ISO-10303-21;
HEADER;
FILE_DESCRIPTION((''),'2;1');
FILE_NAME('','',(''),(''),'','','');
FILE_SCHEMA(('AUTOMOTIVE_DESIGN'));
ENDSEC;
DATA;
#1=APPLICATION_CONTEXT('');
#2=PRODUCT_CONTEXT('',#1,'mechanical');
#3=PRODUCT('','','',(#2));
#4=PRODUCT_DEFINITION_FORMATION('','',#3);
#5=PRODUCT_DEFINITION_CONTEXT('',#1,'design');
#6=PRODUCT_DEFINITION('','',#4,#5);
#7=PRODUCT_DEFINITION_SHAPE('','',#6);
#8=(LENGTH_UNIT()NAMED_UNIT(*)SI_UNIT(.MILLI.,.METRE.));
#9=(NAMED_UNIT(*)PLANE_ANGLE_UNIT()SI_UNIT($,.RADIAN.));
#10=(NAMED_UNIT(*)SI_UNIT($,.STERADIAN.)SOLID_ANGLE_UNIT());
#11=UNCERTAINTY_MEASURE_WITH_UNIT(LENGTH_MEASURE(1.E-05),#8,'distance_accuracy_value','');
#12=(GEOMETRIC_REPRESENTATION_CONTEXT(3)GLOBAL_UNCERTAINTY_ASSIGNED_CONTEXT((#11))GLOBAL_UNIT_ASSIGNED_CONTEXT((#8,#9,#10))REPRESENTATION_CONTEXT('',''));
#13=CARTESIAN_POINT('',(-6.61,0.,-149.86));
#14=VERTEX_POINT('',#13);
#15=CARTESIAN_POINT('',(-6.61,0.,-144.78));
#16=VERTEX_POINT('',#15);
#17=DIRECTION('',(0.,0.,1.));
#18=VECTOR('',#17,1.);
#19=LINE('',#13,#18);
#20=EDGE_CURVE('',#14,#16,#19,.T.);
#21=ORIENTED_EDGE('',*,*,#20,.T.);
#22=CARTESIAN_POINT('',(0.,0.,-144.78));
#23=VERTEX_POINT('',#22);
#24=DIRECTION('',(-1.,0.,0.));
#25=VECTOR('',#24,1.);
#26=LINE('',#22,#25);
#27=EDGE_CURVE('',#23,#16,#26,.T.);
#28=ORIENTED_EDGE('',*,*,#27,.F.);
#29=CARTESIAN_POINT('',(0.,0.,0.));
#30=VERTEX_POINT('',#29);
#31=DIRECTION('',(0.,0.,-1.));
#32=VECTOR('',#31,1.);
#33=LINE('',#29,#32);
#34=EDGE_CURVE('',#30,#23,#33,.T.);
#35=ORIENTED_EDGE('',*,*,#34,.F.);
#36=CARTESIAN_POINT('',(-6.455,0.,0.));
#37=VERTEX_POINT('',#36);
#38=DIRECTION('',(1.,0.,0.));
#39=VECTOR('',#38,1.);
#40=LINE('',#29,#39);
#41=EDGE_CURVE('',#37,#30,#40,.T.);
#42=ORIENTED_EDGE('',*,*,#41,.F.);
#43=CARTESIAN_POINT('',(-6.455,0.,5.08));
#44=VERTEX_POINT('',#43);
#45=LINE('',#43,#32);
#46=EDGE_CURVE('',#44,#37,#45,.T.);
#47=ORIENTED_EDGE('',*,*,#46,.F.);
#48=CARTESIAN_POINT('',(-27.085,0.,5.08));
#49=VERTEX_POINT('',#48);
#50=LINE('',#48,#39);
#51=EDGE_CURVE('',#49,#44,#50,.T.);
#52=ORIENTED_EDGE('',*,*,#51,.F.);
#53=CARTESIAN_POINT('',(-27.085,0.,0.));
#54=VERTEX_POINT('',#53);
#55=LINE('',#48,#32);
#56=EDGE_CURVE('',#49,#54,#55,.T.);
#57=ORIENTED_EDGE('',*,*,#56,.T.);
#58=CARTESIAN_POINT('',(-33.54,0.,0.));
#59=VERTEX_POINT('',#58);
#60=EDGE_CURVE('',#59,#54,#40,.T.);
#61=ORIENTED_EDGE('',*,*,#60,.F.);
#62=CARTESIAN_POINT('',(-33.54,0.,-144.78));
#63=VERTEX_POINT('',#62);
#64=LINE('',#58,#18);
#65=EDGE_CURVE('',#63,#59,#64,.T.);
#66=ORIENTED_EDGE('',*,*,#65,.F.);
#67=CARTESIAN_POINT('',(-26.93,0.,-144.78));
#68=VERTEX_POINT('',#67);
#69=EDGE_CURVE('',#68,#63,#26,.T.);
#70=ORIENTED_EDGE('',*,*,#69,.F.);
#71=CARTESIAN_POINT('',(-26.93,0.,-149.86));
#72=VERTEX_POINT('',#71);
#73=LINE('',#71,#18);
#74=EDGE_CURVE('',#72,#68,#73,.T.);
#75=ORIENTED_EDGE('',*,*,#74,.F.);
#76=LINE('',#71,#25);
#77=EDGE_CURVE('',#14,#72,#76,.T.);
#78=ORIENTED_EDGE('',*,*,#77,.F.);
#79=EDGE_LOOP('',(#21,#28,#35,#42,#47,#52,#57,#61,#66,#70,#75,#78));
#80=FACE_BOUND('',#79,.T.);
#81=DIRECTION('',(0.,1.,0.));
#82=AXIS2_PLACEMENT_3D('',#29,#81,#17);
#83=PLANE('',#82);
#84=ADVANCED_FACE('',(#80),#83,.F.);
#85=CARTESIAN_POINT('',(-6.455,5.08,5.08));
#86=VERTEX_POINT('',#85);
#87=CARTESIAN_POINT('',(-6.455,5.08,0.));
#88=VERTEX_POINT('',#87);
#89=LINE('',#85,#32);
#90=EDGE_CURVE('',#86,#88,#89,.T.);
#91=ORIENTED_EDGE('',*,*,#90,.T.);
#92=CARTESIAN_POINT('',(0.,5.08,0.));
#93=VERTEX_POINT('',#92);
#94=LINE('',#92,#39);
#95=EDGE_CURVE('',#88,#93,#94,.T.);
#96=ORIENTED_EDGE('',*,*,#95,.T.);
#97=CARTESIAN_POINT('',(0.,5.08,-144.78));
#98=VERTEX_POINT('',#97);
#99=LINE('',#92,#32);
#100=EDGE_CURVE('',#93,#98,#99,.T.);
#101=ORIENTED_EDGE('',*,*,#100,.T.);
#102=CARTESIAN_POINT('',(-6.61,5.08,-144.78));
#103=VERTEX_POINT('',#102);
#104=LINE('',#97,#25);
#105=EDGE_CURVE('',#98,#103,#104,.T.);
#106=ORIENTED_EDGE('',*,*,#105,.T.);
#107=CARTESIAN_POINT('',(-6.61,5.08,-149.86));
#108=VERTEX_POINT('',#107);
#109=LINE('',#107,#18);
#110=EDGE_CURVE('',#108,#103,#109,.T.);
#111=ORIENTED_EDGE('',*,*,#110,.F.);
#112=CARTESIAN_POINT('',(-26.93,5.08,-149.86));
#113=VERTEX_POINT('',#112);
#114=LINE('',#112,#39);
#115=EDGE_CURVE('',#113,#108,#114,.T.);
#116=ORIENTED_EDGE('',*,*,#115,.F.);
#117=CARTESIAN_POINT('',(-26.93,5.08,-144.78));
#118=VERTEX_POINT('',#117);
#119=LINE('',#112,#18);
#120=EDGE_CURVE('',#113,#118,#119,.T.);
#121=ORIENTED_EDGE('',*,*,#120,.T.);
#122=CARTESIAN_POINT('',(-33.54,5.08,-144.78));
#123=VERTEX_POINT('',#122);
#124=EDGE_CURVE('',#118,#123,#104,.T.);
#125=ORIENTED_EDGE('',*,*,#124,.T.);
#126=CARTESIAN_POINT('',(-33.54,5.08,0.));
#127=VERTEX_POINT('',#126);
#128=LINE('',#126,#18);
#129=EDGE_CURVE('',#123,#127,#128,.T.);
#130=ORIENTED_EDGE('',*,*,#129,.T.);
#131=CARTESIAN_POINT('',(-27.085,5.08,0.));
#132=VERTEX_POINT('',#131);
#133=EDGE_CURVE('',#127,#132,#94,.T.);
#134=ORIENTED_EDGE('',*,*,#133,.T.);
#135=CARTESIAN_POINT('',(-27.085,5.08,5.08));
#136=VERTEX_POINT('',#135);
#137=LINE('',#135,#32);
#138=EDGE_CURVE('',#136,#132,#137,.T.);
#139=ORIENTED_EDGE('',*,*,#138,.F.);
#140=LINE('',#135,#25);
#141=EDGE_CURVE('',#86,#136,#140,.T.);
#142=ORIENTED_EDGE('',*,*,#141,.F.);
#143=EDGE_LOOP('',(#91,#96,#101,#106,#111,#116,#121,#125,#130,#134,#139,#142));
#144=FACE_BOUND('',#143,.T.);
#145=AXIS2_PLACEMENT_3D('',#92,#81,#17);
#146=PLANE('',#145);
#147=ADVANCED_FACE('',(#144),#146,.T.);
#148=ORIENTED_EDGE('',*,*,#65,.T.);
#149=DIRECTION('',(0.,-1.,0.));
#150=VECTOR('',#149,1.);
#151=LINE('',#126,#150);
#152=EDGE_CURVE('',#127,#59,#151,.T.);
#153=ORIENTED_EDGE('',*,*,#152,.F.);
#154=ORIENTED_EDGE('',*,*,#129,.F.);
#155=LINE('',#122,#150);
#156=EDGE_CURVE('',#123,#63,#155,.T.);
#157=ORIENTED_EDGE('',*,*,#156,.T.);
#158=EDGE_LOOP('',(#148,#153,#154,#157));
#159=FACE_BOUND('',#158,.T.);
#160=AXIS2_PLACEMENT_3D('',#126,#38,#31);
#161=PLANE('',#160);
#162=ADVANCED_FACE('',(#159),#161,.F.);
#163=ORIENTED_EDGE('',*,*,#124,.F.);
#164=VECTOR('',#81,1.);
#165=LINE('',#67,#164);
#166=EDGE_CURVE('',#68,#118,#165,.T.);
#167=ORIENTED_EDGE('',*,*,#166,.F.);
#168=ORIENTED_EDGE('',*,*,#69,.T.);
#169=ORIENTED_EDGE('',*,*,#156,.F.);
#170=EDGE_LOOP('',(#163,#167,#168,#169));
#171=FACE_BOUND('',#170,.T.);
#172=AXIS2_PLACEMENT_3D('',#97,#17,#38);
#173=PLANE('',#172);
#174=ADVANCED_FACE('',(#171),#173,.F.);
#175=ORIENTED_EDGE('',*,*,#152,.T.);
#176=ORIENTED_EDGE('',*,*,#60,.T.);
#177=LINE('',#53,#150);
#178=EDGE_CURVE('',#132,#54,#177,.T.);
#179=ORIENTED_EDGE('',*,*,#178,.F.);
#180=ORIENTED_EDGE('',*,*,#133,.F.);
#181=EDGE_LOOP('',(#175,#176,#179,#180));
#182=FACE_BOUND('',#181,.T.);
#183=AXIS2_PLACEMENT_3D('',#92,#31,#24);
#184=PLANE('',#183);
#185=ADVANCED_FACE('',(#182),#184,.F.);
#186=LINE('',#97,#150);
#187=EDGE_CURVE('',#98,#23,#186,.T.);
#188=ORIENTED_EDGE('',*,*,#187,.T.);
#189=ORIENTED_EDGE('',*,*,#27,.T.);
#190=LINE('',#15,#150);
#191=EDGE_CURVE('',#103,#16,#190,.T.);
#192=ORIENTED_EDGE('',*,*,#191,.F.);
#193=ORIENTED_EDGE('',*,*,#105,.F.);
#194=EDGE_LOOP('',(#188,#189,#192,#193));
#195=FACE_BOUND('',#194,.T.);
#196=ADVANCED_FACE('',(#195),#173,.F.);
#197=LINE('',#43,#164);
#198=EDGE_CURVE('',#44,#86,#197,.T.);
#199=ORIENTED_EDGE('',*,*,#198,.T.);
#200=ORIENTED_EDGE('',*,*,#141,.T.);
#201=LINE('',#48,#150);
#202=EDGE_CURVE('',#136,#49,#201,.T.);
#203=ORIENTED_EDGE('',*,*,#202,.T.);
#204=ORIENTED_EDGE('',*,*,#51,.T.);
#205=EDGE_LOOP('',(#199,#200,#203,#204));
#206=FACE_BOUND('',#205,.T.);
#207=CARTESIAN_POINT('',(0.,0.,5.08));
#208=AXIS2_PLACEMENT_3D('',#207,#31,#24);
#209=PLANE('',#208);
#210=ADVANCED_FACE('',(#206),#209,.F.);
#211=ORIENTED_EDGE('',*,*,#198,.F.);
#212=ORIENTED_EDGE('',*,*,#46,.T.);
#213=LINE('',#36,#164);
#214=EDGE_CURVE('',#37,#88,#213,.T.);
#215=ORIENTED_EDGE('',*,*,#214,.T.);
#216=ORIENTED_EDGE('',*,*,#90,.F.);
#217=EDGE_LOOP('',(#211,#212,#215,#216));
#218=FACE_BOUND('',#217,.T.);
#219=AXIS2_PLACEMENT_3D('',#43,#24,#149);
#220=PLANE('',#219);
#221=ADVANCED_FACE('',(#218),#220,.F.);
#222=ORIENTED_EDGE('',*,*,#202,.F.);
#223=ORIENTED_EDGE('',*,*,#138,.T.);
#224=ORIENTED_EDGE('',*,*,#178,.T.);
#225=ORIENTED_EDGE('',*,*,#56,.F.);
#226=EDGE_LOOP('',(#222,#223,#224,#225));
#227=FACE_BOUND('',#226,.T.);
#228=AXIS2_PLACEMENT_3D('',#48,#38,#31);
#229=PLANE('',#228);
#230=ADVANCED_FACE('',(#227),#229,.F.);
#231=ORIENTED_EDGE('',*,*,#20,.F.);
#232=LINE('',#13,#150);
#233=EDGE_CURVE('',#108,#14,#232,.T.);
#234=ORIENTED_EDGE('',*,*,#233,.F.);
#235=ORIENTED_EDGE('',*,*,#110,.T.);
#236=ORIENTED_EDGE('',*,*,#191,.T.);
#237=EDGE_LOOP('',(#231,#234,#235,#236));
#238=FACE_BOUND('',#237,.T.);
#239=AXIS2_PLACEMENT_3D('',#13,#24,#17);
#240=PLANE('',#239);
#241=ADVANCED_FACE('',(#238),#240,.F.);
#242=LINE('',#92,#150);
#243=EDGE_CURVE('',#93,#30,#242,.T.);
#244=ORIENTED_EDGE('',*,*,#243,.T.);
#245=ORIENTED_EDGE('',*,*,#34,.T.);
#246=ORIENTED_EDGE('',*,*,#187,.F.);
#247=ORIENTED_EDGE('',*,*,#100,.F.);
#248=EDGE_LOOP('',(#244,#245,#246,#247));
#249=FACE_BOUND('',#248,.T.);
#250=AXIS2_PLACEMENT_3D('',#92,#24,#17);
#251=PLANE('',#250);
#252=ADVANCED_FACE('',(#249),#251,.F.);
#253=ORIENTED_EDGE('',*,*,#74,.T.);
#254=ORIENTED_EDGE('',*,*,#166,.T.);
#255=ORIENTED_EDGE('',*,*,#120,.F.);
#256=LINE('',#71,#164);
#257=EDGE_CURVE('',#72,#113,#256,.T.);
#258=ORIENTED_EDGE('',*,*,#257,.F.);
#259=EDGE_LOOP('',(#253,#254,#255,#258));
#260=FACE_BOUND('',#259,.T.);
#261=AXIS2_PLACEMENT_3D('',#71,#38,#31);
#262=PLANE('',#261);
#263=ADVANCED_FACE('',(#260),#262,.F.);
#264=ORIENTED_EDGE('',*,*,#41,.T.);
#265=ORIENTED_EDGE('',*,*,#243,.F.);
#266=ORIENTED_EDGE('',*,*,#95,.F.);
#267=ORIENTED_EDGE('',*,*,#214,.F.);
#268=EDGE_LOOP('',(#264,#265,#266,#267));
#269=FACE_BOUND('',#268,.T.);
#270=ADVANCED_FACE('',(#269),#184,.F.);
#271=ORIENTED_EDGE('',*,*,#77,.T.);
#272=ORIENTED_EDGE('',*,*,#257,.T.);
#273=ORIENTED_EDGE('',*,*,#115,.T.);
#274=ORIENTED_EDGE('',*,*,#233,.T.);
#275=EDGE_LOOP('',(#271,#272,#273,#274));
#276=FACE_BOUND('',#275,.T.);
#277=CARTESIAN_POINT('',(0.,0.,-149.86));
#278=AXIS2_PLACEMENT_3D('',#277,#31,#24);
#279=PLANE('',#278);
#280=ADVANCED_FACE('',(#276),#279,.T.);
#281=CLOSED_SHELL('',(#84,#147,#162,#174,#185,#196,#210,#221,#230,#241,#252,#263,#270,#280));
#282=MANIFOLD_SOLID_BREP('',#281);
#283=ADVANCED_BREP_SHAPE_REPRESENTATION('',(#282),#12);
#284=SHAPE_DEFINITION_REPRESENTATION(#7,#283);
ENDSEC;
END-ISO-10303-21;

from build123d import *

# Parameters (mm, degrees)
SKETCH1_W           = 33.54
SKETCH1_H           = 144.78
BOSS_EXTRUDE1_DEPTH = 5.08
SKETCH2_W           = 20.32
SKETCH2_H           = 5.08
BOSS_EXTRUDE2_DEPTH = 5.08
SKETCH3_W           = 20.63
SKETCH3_H           = 5.08
BOSS_EXTRUDE3_DEPTH = 5.08


with BuildPart() as part:
    # Sketch1 → Boss-Extrude1 (new body)
    with BuildSketch(Plane(origin=(0, 0, 0), x_dir=(1, 0, 0), z_dir=(0, 1, 0))):
        with Locations((-16.77, 72.39)):
            Rectangle(SKETCH1_W, SKETCH1_H)
    extrude(amount=BOSS_EXTRUDE1_DEPTH)

    # Sketch2 → Boss-Extrude2 (add)
    with BuildSketch(Plane(origin=(0, 0, -144.78), x_dir=(-1, 0, 0), z_dir=(0, 0, -1))):
        with Locations((16.77, 2.54)):
            Rectangle(SKETCH2_W, SKETCH2_H)
    extrude(amount=BOSS_EXTRUDE2_DEPTH)

    # Sketch3 → Boss-Extrude3 (add)
    with BuildSketch(Plane.XY):
        with Locations((-16.77, 2.54)):
            Rectangle(SKETCH3_W, SKETCH3_H)
    extrude(amount=BOSS_EXTRUDE3_DEPTH)


solid = part.part
